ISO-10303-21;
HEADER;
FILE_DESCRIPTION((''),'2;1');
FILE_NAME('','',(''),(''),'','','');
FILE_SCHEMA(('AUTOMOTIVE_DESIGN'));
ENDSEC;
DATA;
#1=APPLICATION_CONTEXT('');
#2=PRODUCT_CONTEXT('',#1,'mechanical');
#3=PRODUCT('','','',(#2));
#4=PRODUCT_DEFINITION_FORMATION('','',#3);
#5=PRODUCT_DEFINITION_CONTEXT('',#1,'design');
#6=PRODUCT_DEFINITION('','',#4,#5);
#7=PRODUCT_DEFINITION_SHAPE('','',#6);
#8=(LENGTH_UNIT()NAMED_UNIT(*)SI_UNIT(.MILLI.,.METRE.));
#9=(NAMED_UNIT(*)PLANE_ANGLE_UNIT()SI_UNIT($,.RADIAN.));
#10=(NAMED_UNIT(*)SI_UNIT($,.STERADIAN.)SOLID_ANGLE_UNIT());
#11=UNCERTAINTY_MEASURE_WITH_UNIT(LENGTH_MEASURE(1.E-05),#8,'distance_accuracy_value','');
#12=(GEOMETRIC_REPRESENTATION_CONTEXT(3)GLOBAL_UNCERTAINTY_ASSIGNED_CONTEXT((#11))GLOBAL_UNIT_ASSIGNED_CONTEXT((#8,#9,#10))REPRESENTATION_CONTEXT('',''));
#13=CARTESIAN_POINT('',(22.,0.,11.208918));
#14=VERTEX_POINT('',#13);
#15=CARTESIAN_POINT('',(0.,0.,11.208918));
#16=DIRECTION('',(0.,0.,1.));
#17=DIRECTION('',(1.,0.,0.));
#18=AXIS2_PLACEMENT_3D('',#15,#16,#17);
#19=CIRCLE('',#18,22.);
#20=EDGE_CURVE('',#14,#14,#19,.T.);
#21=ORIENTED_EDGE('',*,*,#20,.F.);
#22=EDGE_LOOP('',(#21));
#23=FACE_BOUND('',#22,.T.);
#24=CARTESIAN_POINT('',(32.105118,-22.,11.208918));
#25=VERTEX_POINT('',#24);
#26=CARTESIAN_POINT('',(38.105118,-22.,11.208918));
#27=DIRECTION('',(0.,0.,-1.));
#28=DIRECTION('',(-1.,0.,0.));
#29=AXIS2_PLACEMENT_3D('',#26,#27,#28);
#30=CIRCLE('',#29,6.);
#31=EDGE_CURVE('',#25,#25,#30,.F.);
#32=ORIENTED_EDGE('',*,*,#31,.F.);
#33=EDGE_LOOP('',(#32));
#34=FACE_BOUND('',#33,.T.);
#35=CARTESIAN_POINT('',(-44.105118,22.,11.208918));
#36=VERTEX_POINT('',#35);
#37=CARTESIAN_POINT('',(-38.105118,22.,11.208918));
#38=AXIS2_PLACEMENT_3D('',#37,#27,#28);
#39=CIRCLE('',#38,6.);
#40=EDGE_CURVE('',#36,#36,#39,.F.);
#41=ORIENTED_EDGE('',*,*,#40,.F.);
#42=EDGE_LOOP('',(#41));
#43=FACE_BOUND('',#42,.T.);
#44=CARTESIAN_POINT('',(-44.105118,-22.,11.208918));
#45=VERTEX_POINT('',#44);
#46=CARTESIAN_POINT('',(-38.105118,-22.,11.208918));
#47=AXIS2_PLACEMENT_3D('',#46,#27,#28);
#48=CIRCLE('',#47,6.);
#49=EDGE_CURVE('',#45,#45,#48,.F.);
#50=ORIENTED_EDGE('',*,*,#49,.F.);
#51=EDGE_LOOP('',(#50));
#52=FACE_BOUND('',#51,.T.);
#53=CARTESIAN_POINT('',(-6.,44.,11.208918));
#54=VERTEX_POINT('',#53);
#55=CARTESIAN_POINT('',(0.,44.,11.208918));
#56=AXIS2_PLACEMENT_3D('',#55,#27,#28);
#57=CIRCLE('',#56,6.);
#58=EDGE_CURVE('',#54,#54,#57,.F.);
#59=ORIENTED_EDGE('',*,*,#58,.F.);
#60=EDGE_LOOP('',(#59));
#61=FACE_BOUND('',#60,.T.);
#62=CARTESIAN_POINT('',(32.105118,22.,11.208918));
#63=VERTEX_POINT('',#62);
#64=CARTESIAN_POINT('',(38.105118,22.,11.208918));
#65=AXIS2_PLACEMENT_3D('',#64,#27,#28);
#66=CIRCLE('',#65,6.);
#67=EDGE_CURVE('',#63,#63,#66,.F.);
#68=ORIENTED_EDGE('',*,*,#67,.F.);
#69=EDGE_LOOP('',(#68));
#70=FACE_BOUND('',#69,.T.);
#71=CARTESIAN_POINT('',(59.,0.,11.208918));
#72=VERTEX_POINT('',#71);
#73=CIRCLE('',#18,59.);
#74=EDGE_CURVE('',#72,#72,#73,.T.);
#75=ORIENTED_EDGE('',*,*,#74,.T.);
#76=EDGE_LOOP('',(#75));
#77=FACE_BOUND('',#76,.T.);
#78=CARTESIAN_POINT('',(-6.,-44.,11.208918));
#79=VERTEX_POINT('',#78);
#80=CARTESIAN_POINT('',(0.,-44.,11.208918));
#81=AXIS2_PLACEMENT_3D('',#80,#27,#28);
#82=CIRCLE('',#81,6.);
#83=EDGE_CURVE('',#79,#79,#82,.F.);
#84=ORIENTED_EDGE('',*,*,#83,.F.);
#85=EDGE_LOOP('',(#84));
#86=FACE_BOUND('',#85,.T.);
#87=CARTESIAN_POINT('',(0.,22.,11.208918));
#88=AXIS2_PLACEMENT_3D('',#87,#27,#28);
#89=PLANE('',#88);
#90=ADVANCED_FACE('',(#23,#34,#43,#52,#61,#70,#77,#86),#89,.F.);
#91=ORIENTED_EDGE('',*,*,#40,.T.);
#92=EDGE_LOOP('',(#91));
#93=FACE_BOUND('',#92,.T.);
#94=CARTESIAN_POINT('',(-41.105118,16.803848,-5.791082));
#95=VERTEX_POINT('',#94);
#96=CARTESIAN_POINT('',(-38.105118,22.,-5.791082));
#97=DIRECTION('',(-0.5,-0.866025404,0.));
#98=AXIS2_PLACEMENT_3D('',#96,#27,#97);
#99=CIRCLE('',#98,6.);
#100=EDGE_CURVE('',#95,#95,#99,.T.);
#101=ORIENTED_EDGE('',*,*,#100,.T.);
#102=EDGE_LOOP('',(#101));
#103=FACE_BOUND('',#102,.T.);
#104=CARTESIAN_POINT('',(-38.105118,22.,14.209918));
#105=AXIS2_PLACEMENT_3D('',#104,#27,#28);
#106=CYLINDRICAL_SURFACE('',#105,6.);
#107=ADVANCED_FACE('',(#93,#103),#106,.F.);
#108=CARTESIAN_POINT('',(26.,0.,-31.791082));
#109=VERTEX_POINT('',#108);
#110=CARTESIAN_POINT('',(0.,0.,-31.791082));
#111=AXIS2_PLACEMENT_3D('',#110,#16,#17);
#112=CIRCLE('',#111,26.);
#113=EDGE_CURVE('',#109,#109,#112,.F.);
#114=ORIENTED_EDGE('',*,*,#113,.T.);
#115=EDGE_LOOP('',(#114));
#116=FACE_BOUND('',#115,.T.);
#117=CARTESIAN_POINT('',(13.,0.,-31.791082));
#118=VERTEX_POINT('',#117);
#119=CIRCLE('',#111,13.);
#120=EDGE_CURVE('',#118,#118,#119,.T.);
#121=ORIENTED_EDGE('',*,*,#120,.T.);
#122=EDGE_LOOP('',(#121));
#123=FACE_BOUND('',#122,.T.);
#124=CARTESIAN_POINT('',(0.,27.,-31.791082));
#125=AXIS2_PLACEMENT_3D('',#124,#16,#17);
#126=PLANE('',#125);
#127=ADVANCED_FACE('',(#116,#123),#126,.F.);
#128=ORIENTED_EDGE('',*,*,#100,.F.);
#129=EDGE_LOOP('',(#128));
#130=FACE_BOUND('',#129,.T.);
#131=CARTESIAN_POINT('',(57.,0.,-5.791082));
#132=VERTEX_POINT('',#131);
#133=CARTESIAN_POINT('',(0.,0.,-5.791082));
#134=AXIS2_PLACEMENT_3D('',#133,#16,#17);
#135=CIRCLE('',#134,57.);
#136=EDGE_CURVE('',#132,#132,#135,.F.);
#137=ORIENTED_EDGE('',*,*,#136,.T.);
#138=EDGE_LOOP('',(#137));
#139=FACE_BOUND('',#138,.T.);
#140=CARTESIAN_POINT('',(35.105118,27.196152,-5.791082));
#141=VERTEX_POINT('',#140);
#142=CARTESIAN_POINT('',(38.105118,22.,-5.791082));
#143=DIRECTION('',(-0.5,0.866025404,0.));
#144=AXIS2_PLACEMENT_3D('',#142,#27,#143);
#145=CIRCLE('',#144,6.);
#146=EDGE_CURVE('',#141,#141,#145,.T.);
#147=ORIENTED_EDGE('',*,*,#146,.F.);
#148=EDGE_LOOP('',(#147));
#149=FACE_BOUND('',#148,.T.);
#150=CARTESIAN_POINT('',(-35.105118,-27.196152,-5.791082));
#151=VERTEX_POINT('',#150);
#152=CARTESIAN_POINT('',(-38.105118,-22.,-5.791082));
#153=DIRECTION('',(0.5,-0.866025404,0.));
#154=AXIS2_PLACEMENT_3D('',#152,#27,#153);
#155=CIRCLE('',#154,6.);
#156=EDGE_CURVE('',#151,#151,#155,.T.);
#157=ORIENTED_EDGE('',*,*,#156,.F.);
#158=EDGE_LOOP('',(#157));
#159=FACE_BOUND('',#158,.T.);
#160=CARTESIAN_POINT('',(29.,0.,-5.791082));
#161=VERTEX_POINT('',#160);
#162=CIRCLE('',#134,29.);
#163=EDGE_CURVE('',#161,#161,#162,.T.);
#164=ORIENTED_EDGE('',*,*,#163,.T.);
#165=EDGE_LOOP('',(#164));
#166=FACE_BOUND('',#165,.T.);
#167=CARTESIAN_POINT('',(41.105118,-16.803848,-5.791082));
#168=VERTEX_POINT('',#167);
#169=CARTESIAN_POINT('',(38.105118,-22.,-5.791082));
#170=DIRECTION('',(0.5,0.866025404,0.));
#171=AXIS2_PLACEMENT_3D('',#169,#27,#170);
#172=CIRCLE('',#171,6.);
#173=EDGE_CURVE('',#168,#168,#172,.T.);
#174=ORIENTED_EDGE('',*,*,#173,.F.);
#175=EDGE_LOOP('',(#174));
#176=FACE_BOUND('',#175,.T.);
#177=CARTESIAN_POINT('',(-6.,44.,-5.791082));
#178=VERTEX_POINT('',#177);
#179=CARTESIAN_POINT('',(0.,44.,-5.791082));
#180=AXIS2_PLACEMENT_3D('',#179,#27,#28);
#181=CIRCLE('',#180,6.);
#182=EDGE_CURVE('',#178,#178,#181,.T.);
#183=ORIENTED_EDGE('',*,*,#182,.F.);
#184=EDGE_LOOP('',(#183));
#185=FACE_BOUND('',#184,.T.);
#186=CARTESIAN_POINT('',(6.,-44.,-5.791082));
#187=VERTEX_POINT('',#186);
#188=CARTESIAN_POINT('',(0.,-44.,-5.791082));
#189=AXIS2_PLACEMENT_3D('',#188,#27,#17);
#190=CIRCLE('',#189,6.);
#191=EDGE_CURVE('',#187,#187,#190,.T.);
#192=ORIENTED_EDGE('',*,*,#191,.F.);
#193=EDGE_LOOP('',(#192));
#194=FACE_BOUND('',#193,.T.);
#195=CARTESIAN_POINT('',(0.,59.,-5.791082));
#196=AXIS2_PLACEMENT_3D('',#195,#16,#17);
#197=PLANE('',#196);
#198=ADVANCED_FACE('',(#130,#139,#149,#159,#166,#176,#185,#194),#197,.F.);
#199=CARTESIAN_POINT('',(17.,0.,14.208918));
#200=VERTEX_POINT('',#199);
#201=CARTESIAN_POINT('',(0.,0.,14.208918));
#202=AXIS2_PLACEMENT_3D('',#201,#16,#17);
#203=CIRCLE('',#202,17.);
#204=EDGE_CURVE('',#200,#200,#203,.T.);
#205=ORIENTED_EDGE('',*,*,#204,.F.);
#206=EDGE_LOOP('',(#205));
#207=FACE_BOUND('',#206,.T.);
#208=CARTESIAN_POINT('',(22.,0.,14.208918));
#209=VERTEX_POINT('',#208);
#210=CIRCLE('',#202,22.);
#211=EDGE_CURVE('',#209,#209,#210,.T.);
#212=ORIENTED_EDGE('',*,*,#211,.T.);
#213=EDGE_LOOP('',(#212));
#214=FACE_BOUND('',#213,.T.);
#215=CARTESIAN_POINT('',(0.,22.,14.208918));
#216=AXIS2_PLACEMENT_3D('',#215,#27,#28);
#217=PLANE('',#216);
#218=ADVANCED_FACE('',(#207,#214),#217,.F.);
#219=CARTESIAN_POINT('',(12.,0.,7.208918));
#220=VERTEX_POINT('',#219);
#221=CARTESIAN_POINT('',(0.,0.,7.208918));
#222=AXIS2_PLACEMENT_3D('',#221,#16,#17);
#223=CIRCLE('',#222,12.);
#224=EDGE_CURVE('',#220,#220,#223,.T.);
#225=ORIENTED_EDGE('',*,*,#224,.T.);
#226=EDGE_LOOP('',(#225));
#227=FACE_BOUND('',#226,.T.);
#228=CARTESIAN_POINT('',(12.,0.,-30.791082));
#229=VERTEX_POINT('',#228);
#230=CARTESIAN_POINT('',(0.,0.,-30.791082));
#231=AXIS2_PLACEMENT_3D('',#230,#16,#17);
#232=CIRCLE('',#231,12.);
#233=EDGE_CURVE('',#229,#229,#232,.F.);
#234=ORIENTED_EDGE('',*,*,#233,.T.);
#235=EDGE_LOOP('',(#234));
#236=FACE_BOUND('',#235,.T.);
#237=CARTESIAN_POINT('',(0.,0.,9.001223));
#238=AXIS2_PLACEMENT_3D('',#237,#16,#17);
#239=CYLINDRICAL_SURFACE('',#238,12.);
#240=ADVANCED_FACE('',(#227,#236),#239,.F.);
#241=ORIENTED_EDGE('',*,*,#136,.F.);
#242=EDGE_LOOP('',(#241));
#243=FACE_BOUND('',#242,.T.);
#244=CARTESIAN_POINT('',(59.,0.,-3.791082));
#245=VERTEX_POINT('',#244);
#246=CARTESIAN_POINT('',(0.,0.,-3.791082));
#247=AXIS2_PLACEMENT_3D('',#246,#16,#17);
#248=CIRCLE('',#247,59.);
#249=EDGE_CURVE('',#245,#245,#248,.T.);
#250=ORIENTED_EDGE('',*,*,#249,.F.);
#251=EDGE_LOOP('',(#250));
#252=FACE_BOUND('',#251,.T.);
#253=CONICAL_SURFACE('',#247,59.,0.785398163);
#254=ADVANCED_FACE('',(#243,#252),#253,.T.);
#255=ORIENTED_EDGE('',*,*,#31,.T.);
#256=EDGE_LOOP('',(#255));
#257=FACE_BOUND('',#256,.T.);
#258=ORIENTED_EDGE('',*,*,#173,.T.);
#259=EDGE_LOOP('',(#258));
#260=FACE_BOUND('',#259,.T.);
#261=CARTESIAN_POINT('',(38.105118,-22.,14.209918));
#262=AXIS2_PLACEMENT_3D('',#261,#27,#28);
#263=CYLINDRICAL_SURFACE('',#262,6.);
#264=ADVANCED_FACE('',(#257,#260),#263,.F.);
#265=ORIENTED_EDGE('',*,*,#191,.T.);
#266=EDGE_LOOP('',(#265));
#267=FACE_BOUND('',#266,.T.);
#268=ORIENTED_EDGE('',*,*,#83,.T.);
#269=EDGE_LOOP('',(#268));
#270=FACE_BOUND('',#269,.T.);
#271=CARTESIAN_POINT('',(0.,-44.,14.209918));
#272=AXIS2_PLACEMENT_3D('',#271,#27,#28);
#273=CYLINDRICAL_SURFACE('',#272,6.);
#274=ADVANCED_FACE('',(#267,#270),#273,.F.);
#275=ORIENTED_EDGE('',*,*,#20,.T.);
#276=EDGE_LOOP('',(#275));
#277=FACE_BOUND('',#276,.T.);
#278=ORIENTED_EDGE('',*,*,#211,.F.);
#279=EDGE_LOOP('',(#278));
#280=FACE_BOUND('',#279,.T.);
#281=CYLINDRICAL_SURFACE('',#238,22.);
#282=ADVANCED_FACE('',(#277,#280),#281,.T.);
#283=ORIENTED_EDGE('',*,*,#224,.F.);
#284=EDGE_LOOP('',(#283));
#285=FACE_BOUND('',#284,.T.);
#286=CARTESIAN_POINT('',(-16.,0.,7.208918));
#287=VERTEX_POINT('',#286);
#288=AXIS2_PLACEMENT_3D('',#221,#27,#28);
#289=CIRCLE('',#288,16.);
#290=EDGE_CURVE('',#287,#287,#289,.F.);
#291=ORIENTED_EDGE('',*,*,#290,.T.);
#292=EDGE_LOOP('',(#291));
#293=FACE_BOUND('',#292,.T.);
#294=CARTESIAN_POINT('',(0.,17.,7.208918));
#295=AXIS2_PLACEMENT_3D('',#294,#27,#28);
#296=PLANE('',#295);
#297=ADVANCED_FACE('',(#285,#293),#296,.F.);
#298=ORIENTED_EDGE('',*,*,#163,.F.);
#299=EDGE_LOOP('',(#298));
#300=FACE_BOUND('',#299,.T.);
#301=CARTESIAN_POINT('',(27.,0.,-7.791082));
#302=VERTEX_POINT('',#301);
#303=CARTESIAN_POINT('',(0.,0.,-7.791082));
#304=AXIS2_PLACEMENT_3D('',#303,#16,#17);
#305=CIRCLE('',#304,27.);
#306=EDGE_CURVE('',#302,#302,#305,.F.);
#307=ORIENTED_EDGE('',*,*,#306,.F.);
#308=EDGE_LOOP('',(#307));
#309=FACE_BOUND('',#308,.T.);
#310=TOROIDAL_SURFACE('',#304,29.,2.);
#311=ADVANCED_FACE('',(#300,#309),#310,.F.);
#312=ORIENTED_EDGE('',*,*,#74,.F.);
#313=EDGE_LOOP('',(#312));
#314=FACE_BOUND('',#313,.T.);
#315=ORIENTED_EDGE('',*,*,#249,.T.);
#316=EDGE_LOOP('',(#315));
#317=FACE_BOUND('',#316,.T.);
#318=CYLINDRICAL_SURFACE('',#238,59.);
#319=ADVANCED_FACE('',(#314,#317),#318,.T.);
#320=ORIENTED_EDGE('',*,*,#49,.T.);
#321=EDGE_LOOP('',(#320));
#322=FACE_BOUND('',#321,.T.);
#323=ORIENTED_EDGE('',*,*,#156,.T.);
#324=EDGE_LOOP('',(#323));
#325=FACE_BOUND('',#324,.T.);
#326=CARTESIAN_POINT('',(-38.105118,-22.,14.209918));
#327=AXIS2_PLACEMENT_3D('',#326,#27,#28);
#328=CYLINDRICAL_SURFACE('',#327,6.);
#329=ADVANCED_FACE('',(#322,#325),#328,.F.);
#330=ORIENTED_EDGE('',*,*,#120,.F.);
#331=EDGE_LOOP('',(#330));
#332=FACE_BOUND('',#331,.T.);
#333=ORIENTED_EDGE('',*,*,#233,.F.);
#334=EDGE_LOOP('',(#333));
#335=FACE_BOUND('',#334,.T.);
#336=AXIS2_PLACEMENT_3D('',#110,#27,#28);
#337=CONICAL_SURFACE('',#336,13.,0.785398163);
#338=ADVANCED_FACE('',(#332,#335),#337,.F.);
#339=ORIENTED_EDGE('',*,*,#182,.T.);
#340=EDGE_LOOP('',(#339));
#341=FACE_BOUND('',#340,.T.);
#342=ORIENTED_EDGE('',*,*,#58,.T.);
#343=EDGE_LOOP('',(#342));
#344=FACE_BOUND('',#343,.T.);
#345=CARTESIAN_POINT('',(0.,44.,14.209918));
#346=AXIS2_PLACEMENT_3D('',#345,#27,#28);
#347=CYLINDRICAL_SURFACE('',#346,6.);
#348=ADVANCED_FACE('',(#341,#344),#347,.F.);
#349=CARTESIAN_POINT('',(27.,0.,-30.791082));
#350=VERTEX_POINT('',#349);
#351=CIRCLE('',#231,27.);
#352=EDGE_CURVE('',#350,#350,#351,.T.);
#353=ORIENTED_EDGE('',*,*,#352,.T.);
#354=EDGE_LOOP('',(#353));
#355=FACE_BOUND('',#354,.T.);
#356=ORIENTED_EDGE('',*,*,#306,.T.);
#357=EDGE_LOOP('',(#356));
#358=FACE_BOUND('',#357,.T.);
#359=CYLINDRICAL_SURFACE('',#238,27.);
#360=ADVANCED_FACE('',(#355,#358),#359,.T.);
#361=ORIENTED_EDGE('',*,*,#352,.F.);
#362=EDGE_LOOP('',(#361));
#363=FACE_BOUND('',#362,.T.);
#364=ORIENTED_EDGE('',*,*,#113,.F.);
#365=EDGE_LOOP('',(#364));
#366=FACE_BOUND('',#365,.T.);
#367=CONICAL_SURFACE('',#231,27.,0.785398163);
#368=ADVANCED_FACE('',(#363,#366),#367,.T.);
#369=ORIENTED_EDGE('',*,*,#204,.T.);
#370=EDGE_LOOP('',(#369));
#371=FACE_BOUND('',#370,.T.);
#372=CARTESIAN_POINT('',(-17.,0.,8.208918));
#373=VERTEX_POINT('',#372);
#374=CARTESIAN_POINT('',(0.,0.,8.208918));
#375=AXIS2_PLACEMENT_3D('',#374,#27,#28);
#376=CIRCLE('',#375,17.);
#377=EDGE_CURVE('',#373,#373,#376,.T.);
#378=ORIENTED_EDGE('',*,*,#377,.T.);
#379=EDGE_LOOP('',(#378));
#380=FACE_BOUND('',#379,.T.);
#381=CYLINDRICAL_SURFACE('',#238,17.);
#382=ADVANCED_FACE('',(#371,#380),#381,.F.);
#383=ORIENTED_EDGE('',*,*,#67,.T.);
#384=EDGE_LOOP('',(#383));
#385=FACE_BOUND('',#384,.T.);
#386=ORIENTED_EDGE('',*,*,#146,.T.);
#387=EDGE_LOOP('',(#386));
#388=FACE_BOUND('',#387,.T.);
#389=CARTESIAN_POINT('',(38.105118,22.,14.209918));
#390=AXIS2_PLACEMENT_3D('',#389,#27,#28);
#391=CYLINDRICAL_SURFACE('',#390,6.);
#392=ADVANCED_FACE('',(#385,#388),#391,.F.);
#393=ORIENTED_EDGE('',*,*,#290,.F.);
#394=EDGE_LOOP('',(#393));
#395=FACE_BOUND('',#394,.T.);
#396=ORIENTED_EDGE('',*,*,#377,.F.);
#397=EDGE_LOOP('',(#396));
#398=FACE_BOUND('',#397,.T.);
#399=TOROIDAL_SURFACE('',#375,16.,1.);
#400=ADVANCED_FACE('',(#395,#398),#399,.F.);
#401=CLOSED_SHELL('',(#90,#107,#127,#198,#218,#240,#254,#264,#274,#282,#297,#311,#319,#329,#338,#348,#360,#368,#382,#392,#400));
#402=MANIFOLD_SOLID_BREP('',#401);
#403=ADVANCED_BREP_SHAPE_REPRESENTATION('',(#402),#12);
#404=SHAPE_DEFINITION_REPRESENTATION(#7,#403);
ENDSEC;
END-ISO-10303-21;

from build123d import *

# Parameters (mm, degrees)
CUT_EXTRUDE1_REACH = 89.396
SKETCH2_R          = 6
CIRPATTERN1_COUNT  = 6
FILLET1_R          = 2
FILLET2_R          = 1
CHAMFER1_SIZE      = 1
CHAMFER2_SIZE      = 2


with BuildPart() as part:
    # Sketch1 → Revolve1 (revolve)
    with BuildSketch(Plane(origin=(0, 0, 0), x_dir=(0, 0, -1), z_dir=(1, 0, 0)), mode=Mode.PRIVATE) as revolve1_sk:
        Polygon((-11.208917924, 22), (-11.208917924, 59), (5.791082076, 59), (5.791082076, 27), (31.791082076, 27), (31.791082076, 12), (-7.208917924, 12), (-7.208917924, 17), (-14.208917924, 17), (-14.208917924, 22), align=None)
    revolve(revolve1_sk.sketch.rotate(Axis((0, 0, 9.001223373), (0, 0, -1)), 90), axis=Axis((0, 0, 9.001223373), (0, 0, -1)))

    # Sketch2 → Cut-Extrude1 (cut, up to next)
    with BuildSketch(Plane(origin=(0, 0, -5.791082076), x_dir=(-1, 0, 0), z_dir=(0, 0, -1)), mode=Mode.PRIVATE) as cut_extrude1_sk1:
        with Locations((0, 44)):
            Circle(SKETCH2_R)
    cut_extrude1_tool1 = extrude(cut_extrude1_sk1.sketch, amount=-CUT_EXTRUDE1_REACH, mode=Mode.PRIVATE) & part.part
    cut_extrude1 = cut_extrude1_tool1.solids().sort_by_distance((0, 44, -5.791082))[0]
    add(cut_extrude1, mode=Mode.SUBTRACT)

    # CirPattern1: Cut-Extrude1 ×6 about axis
    cirpattern1_axis = Axis((0, 0, 0), (0, 0, 1))
    for i in range(1, CIRPATTERN1_COUNT):
        add(cut_extrude1.rotate(cirpattern1_axis, i * 360 / CIRPATTERN1_COUNT), mode=Mode.SUBTRACT)

    # Fillet1
    fillet1_edges = [part.edges().sort_by_distance(p)[0] for p in [
        (-27, 0, -5.791082076),
    ]]
    fillet(fillet1_edges, radius=FILLET1_R)

    # Fillet2
    fillet2_edges = [part.edges().sort_by_distance(p)[0] for p in [
        (-17, 0, 7.208917924),
    ]]
    fillet(fillet2_edges, radius=FILLET2_R)

    # Chamfer1
    chamfer1_edges = [part.edges().sort_by_distance(p)[0] for p in [
        (-12, 0, -31.791082076),
        (-27, 0, -31.791082076),
    ]]
    chamfer(chamfer1_edges, length=CHAMFER1_SIZE)

    # Chamfer2
    chamfer2_edges = [part.edges().sort_by_distance(p)[0] for p in [
        (-59, 0, -5.791082076),
    ]]
    chamfer(chamfer2_edges, length=CHAMFER2_SIZE)


solid = part.part
